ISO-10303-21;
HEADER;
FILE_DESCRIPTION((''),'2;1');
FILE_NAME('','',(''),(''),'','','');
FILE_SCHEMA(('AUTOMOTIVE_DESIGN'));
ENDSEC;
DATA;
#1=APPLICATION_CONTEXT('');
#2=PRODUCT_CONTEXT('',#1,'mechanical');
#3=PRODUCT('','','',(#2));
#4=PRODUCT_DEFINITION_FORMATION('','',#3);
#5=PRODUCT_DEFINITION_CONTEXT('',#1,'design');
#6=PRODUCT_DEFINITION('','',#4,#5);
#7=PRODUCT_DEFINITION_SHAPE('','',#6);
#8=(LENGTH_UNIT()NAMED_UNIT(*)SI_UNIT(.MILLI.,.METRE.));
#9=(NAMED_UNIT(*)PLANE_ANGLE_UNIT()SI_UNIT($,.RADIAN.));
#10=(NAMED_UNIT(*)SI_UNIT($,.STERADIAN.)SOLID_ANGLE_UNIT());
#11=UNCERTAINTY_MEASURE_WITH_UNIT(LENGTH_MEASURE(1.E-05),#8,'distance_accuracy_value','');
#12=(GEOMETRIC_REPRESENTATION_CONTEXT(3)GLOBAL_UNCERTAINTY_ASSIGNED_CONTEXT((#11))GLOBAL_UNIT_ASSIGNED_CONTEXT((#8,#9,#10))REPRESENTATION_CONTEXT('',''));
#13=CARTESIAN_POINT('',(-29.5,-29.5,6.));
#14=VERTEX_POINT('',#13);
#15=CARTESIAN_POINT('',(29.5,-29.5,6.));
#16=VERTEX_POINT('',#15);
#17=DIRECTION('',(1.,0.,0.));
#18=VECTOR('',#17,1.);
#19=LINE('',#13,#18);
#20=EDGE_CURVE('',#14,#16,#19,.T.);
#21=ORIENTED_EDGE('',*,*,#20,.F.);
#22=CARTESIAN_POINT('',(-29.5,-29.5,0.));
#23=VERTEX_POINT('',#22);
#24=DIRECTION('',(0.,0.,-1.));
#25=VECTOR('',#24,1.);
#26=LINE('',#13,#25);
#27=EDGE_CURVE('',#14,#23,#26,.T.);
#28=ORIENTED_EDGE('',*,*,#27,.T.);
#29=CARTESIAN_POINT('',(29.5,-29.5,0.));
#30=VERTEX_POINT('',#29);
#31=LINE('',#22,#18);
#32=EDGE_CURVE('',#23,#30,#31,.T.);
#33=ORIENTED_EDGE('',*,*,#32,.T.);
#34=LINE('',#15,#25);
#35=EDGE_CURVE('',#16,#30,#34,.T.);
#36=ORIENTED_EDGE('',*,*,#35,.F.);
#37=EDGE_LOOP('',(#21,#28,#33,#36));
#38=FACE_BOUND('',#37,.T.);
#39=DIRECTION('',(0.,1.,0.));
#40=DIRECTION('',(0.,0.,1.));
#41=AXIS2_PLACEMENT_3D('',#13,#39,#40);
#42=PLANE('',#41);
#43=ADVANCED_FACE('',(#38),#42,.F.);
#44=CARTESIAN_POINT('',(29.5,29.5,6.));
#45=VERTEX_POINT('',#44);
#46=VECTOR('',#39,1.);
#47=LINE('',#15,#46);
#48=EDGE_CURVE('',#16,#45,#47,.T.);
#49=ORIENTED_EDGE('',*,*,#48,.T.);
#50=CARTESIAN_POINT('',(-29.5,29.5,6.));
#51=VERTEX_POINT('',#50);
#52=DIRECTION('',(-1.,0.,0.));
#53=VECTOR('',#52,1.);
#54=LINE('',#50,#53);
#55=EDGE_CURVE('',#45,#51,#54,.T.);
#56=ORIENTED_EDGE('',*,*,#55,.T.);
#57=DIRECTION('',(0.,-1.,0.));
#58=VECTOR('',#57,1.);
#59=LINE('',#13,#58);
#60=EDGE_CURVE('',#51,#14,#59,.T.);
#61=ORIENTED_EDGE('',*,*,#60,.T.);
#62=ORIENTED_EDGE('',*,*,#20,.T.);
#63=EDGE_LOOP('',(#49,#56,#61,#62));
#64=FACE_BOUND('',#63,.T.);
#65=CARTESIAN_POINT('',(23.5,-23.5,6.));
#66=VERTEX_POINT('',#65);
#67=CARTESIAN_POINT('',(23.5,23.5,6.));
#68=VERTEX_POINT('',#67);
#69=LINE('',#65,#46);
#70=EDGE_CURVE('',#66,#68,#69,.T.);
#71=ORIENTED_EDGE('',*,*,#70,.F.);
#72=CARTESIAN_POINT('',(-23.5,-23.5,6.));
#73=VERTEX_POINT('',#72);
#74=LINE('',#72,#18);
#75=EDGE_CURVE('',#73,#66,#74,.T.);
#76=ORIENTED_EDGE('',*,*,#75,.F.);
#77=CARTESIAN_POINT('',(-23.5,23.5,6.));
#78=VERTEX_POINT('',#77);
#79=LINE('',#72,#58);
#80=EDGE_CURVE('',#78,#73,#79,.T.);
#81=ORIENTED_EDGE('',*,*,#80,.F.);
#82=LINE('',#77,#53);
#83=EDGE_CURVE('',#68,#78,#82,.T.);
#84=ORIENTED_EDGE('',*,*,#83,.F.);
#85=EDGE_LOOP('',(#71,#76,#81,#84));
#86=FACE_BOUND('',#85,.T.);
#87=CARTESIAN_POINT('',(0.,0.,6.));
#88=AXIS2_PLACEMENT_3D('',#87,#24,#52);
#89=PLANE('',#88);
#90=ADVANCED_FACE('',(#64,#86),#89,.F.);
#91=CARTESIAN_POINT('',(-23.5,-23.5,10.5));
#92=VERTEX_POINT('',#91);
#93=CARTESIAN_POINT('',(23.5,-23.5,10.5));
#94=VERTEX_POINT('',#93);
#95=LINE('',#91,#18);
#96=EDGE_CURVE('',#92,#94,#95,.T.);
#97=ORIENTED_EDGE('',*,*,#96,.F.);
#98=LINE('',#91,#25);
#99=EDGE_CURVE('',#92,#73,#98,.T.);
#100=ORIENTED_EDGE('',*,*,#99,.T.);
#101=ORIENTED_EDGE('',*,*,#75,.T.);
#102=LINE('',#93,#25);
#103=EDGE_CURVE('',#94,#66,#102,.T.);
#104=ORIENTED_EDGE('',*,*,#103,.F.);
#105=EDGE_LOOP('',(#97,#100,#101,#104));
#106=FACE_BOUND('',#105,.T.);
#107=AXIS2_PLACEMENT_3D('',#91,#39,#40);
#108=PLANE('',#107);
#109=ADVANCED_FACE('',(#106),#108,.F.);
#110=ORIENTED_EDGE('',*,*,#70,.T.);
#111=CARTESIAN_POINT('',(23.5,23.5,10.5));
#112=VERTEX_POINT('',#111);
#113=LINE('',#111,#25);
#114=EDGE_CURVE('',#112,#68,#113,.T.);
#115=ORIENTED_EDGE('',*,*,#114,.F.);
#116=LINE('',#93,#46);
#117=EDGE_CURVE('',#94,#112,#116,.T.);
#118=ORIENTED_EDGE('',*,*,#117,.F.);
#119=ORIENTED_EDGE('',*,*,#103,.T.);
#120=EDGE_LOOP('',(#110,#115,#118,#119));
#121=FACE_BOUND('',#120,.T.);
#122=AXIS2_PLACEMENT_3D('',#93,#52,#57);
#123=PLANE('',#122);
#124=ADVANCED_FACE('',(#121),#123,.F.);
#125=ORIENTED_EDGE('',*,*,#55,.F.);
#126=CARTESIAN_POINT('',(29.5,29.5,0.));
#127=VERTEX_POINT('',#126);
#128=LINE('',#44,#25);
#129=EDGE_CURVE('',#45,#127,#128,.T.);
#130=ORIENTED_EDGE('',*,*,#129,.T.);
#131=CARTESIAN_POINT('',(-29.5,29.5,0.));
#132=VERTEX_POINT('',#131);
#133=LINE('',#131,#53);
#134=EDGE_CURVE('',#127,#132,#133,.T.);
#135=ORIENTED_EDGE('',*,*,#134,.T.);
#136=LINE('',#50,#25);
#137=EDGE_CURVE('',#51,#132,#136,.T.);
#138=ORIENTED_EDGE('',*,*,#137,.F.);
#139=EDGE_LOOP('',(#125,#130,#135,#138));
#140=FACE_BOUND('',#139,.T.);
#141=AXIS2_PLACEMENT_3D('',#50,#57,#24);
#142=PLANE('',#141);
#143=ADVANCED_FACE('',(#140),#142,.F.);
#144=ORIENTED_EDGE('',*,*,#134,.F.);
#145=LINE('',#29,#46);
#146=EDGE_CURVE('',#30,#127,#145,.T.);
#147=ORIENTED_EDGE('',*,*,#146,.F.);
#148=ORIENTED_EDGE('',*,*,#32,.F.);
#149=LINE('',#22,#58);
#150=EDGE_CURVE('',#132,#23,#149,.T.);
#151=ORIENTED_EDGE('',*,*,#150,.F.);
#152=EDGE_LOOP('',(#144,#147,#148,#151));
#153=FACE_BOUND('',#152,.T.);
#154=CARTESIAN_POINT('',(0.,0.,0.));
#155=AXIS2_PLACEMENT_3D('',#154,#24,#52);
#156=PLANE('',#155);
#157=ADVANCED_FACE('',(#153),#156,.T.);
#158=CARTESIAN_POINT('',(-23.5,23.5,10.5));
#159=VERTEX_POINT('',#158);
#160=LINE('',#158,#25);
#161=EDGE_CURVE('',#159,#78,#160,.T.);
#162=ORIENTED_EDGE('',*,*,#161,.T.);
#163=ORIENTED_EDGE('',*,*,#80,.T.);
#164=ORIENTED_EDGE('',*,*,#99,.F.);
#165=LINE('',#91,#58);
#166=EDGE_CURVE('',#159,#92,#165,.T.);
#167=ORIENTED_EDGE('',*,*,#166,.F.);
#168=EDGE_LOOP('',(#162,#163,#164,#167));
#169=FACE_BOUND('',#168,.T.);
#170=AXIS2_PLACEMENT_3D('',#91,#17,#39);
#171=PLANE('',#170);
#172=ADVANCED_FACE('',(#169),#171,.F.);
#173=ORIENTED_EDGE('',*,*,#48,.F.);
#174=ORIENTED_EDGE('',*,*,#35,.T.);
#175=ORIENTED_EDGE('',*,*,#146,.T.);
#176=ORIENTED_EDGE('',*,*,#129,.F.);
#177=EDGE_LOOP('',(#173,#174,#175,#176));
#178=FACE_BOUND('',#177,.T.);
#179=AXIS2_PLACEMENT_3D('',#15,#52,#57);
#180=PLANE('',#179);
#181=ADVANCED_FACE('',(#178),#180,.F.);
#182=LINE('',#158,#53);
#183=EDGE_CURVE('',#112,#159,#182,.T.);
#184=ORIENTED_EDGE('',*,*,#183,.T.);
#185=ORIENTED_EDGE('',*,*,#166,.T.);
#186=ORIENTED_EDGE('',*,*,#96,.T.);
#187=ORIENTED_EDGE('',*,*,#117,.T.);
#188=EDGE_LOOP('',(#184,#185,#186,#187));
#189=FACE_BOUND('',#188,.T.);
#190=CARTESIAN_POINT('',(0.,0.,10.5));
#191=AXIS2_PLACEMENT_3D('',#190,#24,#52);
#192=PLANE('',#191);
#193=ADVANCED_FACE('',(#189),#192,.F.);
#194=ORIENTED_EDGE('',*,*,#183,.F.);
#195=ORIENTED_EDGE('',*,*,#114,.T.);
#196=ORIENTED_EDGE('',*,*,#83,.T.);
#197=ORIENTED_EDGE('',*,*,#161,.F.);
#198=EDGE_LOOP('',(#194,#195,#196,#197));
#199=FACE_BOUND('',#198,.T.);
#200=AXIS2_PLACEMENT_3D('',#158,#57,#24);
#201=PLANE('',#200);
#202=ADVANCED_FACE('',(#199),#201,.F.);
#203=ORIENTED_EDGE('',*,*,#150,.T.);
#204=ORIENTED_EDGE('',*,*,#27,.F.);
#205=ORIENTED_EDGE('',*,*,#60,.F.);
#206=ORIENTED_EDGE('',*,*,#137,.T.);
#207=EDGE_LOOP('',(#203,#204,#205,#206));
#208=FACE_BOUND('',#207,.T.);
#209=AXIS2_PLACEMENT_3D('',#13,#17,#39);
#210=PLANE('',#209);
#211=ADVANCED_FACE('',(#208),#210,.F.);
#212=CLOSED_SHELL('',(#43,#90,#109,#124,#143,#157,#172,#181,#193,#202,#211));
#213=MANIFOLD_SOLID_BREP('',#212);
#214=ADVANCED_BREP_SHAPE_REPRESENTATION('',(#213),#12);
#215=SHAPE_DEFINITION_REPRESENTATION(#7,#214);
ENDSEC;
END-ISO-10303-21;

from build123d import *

# Parameters (mm, degrees)
ESQUISSE1_W        = 59
ESQUISSE1_H        = 59
BOSS_EXTRU_1_DEPTH = 6
ESQUISSE2_W        = 47
ESQUISSE2_H        = 47
BOSS_EXTRU_2_DEPTH = 4.5


with BuildPart() as part:
    # Esquisse1 → Boss.-Extru.1 (new body)
    with BuildSketch(Plane.XY):
        Rectangle(ESQUISSE1_W, ESQUISSE1_H)
    extrude(amount=BOSS_EXTRU_1_DEPTH)

    # Esquisse2 → Boss.-Extru.2 (add)
    with BuildSketch(Plane.XY.offset(6)):
        Rectangle(ESQUISSE2_W, ESQUISSE2_H)
    extrude(amount=BOSS_EXTRU_2_DEPTH)


solid = part.part
